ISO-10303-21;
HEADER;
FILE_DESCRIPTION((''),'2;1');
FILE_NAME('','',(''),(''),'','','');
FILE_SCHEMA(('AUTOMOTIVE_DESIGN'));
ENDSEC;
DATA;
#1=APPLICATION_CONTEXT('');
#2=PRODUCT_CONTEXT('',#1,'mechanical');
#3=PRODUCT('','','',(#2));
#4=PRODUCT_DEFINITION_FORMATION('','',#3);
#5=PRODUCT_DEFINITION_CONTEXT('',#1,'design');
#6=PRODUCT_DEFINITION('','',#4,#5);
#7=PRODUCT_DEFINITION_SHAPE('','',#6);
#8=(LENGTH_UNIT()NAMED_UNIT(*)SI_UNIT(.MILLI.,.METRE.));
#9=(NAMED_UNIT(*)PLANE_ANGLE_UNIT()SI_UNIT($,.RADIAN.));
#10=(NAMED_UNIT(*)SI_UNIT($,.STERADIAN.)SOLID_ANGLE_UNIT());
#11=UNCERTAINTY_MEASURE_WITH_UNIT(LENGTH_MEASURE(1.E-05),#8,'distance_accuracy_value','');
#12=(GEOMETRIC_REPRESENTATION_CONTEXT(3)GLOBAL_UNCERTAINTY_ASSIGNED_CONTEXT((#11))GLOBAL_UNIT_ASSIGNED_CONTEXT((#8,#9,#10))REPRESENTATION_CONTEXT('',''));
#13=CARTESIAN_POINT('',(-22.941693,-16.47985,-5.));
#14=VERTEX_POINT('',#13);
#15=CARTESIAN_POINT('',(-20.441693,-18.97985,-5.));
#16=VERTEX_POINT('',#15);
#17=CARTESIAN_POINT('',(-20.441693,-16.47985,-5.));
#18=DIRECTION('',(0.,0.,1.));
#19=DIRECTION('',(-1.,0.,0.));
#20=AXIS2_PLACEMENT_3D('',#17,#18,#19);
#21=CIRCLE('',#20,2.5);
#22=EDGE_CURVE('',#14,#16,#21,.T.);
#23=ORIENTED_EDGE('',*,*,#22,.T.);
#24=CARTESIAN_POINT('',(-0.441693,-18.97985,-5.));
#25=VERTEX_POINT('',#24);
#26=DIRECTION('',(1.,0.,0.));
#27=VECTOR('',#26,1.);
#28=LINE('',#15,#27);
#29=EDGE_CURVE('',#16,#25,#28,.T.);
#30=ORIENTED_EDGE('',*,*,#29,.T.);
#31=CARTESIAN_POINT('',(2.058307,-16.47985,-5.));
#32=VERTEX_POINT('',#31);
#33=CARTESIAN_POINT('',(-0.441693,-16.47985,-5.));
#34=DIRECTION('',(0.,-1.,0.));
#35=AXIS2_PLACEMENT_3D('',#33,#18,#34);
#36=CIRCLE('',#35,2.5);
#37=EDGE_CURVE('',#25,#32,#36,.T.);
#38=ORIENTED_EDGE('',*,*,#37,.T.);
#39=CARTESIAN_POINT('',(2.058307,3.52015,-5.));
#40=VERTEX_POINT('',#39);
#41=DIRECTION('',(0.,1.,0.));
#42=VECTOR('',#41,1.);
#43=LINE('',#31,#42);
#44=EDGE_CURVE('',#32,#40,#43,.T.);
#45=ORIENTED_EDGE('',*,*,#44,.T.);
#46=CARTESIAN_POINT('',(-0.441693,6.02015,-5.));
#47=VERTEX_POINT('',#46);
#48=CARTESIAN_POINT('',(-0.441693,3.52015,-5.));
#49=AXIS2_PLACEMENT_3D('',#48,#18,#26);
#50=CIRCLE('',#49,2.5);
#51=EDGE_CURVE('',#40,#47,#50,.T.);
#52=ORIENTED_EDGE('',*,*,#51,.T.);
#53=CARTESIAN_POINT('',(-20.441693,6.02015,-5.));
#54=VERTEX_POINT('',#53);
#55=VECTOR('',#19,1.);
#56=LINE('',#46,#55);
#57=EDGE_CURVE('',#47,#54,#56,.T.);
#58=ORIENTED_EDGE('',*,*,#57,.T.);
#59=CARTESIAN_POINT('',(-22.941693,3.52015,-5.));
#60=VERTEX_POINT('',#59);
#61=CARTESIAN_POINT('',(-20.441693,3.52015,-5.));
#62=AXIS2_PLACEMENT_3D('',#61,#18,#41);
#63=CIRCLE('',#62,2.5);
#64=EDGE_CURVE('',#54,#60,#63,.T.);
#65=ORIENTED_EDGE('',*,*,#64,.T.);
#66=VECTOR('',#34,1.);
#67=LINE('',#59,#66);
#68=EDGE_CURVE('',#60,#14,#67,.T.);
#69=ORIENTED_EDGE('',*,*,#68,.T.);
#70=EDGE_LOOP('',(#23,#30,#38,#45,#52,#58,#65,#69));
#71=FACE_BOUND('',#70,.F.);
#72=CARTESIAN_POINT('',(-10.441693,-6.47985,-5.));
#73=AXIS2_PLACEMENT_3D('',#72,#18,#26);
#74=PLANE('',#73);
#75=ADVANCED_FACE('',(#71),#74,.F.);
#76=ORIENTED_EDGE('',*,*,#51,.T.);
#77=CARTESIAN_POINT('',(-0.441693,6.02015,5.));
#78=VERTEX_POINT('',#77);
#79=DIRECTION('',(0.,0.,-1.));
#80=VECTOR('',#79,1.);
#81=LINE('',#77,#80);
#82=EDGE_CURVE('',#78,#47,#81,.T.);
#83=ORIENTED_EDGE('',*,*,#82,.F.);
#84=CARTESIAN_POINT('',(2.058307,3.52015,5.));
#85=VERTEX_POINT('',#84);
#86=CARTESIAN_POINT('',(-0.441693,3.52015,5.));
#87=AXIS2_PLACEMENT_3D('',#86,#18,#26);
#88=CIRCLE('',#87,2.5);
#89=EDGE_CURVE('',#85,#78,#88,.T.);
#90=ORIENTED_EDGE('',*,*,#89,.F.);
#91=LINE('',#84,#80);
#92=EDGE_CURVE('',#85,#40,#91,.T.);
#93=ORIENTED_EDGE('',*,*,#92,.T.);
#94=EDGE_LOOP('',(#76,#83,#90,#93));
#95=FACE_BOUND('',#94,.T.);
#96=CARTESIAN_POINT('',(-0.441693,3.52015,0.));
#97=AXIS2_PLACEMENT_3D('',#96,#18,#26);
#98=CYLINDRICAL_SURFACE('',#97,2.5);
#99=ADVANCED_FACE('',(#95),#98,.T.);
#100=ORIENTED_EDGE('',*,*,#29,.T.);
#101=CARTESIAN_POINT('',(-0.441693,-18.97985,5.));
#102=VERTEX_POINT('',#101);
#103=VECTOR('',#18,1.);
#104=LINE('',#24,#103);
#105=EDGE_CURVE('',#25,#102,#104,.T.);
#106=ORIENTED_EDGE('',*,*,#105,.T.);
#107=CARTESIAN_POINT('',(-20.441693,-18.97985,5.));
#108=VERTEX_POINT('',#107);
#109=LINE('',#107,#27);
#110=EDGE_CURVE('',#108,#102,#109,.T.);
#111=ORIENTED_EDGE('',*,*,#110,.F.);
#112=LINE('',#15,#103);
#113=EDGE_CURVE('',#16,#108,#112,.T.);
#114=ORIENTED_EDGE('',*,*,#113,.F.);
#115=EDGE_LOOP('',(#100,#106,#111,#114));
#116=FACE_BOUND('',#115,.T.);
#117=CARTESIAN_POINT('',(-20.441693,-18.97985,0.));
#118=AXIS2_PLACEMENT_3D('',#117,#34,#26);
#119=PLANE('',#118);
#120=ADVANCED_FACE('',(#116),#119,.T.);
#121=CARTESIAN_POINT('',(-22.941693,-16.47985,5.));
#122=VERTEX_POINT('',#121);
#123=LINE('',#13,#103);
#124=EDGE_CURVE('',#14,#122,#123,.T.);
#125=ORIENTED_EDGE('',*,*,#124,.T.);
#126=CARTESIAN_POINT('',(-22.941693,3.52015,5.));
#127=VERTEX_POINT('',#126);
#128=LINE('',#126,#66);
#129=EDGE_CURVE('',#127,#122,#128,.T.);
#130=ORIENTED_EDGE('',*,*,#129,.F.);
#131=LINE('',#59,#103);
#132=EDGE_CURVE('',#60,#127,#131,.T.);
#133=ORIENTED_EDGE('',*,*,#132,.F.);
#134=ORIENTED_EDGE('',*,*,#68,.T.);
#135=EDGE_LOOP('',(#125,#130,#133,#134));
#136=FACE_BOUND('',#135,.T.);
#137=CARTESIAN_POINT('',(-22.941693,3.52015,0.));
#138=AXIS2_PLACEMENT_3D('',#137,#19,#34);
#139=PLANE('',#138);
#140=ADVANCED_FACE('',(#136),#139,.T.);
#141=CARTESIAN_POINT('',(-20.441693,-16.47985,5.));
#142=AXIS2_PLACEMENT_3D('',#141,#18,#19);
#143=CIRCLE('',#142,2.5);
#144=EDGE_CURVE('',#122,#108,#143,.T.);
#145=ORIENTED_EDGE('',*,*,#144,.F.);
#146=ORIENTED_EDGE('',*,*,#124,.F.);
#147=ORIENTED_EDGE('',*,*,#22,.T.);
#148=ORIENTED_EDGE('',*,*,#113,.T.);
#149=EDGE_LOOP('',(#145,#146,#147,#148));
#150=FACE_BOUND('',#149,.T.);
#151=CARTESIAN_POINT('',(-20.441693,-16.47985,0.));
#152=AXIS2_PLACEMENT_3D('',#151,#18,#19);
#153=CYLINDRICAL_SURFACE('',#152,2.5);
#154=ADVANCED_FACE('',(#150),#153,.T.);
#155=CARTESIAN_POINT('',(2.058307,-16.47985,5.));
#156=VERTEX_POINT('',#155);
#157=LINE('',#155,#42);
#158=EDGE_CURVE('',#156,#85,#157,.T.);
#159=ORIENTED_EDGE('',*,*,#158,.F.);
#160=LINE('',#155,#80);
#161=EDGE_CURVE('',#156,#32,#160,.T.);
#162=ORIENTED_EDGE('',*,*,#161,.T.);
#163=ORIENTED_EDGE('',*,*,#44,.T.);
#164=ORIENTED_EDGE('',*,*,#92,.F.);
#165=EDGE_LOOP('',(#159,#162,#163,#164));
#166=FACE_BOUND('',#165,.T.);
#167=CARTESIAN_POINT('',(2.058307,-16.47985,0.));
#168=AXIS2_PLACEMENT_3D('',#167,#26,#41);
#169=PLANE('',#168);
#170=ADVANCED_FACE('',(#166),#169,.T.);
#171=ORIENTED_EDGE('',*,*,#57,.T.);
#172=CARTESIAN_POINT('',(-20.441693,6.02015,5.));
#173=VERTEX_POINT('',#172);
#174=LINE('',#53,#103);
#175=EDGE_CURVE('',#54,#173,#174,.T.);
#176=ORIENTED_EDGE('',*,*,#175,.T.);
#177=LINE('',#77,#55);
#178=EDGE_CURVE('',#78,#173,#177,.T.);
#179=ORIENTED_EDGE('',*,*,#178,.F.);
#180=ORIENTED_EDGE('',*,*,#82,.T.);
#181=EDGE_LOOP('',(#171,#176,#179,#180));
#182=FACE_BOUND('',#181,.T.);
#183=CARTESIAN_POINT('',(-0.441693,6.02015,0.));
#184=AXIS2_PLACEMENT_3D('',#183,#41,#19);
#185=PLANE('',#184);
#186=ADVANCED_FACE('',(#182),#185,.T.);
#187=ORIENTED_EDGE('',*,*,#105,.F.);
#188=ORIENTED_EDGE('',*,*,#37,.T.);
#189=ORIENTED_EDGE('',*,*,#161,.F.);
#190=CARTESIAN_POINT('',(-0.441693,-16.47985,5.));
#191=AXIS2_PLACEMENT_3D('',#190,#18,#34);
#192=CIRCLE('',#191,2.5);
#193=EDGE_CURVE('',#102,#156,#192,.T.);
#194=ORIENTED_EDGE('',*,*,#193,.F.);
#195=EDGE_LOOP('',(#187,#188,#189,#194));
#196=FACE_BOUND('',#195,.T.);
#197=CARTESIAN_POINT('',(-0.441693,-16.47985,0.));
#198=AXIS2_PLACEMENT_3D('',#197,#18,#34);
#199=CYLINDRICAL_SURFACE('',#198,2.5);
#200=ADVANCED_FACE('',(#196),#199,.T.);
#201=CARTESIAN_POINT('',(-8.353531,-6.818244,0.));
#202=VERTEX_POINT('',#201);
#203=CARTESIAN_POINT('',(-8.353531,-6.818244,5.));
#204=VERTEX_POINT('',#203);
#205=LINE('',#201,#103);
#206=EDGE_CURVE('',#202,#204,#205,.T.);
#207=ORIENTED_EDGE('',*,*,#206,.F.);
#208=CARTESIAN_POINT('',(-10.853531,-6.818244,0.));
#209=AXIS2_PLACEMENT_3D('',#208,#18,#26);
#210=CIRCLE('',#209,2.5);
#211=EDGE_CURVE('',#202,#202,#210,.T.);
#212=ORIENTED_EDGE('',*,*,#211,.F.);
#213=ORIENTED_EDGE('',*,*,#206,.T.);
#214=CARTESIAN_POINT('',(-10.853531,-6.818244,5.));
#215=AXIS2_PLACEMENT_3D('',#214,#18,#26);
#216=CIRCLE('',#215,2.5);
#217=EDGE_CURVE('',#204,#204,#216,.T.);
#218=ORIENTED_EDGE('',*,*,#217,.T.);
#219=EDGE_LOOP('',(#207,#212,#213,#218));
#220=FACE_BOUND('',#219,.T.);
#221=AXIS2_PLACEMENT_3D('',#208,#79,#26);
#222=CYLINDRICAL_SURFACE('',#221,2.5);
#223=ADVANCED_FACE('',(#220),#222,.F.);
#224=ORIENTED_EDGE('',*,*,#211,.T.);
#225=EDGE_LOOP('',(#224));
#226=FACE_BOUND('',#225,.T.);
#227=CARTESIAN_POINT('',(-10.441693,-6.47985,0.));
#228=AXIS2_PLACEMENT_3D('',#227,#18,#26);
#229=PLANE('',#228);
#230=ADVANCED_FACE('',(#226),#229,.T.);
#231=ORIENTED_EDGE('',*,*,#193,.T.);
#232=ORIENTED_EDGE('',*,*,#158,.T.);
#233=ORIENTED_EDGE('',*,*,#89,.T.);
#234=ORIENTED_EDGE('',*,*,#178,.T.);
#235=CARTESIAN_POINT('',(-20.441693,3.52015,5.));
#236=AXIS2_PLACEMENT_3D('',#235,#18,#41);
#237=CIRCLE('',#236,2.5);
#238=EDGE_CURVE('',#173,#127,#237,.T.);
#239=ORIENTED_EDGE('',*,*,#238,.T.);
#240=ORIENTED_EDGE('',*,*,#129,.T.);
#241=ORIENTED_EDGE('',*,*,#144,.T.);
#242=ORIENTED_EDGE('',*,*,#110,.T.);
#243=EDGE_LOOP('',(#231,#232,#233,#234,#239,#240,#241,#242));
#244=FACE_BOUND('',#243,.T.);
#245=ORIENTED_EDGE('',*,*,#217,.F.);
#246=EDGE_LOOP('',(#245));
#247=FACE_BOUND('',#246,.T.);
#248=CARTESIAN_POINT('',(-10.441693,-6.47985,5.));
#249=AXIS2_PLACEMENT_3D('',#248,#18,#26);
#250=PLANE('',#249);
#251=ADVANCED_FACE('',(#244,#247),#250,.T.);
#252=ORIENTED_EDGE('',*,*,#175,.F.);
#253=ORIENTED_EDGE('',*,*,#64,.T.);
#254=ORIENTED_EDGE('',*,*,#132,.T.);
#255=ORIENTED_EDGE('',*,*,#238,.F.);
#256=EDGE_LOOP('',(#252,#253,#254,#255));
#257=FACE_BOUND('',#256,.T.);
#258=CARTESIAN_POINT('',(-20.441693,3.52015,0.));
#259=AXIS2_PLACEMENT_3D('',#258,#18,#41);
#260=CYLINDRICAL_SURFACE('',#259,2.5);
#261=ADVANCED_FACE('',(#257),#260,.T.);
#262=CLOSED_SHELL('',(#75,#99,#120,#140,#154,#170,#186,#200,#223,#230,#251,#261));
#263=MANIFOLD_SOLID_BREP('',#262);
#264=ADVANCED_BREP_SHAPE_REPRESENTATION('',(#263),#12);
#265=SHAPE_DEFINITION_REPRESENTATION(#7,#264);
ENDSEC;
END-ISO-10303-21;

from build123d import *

# Parameters (mm, degrees)
F0_R     = 2.5
F1_DEPTH = 4.9999998882
F2_DEPTH = 5


with BuildPart() as f1:
    # F0 (on Top) → F1 (new body)
    with BuildSketch(Plane.XY):
        with BuildLine():
            Line((-0.4416928518, 6.0201503709), (-20.4416928518, 6.0201503709))
            ThreePointArc((-20.4416928518, 6.0201503709), (-22.2094598048, 5.2879173239), (-22.9416928518, 3.5201503709))
            Line((-22.9416928518, 3.5201503709), (-22.9416928518, -16.4798496291))
            ThreePointArc((-22.9416928518, -16.4798496291), (-22.2094598048, -18.2476165821), (-20.4416928518, -18.9798496291))
            Line((-20.4416928518, -18.9798496291), (-0.4416928518, -18.9798496291))
            ThreePointArc((-0.4416928518, -18.9798496291), (1.3260741011, -18.2476165821), (2.0583071482, -16.4798496291))
            Line((2.0583071482, -16.4798496291), (2.0583071482, 3.5201503709))
            ThreePointArc((2.0583071482, 3.5201503709), (1.3260741011, 5.2879173239), (-0.4416928518, 6.0201503709))
        make_face()
        with Locations((-10.8535308391, -6.8182437681)):
            Circle(F0_R, mode=Mode.SUBTRACT)
    extrude(amount=F1_DEPTH)

    # F0 (on Top) → F2 (join)
    with BuildSketch(Plane.XY):
        with BuildLine():
            Line((-0.4416928518, 6.0201503709), (-20.4416928518, 6.0201503709))
            ThreePointArc((-20.4416928518, 6.0201503709), (-22.2094598048, 5.2879173239), (-22.9416928518, 3.5201503709))
            Line((-22.9416928518, 3.5201503709), (-22.9416928518, -16.4798496291))
            ThreePointArc((-22.9416928518, -16.4798496291), (-22.2094598048, -18.2476165821), (-20.4416928518, -18.9798496291))
            Line((-20.4416928518, -18.9798496291), (-0.4416928518, -18.9798496291))
            ThreePointArc((-0.4416928518, -18.9798496291), (1.3260741011, -18.2476165821), (2.0583071482, -16.4798496291))
            Line((2.0583071482, -16.4798496291), (2.0583071482, 3.5201503709))
            ThreePointArc((2.0583071482, 3.5201503709), (1.3260741011, 5.2879173239), (-0.4416928518, 6.0201503709))
        make_face()
        with Locations((-10.8535308391, -6.8182437681)):
            Circle(F0_R, mode=Mode.SUBTRACT)
        with Locations((-10.8535308391, -6.8182437681)):
            Circle(F0_R)
    extrude(amount=-F2_DEPTH)


solid = f1.part
